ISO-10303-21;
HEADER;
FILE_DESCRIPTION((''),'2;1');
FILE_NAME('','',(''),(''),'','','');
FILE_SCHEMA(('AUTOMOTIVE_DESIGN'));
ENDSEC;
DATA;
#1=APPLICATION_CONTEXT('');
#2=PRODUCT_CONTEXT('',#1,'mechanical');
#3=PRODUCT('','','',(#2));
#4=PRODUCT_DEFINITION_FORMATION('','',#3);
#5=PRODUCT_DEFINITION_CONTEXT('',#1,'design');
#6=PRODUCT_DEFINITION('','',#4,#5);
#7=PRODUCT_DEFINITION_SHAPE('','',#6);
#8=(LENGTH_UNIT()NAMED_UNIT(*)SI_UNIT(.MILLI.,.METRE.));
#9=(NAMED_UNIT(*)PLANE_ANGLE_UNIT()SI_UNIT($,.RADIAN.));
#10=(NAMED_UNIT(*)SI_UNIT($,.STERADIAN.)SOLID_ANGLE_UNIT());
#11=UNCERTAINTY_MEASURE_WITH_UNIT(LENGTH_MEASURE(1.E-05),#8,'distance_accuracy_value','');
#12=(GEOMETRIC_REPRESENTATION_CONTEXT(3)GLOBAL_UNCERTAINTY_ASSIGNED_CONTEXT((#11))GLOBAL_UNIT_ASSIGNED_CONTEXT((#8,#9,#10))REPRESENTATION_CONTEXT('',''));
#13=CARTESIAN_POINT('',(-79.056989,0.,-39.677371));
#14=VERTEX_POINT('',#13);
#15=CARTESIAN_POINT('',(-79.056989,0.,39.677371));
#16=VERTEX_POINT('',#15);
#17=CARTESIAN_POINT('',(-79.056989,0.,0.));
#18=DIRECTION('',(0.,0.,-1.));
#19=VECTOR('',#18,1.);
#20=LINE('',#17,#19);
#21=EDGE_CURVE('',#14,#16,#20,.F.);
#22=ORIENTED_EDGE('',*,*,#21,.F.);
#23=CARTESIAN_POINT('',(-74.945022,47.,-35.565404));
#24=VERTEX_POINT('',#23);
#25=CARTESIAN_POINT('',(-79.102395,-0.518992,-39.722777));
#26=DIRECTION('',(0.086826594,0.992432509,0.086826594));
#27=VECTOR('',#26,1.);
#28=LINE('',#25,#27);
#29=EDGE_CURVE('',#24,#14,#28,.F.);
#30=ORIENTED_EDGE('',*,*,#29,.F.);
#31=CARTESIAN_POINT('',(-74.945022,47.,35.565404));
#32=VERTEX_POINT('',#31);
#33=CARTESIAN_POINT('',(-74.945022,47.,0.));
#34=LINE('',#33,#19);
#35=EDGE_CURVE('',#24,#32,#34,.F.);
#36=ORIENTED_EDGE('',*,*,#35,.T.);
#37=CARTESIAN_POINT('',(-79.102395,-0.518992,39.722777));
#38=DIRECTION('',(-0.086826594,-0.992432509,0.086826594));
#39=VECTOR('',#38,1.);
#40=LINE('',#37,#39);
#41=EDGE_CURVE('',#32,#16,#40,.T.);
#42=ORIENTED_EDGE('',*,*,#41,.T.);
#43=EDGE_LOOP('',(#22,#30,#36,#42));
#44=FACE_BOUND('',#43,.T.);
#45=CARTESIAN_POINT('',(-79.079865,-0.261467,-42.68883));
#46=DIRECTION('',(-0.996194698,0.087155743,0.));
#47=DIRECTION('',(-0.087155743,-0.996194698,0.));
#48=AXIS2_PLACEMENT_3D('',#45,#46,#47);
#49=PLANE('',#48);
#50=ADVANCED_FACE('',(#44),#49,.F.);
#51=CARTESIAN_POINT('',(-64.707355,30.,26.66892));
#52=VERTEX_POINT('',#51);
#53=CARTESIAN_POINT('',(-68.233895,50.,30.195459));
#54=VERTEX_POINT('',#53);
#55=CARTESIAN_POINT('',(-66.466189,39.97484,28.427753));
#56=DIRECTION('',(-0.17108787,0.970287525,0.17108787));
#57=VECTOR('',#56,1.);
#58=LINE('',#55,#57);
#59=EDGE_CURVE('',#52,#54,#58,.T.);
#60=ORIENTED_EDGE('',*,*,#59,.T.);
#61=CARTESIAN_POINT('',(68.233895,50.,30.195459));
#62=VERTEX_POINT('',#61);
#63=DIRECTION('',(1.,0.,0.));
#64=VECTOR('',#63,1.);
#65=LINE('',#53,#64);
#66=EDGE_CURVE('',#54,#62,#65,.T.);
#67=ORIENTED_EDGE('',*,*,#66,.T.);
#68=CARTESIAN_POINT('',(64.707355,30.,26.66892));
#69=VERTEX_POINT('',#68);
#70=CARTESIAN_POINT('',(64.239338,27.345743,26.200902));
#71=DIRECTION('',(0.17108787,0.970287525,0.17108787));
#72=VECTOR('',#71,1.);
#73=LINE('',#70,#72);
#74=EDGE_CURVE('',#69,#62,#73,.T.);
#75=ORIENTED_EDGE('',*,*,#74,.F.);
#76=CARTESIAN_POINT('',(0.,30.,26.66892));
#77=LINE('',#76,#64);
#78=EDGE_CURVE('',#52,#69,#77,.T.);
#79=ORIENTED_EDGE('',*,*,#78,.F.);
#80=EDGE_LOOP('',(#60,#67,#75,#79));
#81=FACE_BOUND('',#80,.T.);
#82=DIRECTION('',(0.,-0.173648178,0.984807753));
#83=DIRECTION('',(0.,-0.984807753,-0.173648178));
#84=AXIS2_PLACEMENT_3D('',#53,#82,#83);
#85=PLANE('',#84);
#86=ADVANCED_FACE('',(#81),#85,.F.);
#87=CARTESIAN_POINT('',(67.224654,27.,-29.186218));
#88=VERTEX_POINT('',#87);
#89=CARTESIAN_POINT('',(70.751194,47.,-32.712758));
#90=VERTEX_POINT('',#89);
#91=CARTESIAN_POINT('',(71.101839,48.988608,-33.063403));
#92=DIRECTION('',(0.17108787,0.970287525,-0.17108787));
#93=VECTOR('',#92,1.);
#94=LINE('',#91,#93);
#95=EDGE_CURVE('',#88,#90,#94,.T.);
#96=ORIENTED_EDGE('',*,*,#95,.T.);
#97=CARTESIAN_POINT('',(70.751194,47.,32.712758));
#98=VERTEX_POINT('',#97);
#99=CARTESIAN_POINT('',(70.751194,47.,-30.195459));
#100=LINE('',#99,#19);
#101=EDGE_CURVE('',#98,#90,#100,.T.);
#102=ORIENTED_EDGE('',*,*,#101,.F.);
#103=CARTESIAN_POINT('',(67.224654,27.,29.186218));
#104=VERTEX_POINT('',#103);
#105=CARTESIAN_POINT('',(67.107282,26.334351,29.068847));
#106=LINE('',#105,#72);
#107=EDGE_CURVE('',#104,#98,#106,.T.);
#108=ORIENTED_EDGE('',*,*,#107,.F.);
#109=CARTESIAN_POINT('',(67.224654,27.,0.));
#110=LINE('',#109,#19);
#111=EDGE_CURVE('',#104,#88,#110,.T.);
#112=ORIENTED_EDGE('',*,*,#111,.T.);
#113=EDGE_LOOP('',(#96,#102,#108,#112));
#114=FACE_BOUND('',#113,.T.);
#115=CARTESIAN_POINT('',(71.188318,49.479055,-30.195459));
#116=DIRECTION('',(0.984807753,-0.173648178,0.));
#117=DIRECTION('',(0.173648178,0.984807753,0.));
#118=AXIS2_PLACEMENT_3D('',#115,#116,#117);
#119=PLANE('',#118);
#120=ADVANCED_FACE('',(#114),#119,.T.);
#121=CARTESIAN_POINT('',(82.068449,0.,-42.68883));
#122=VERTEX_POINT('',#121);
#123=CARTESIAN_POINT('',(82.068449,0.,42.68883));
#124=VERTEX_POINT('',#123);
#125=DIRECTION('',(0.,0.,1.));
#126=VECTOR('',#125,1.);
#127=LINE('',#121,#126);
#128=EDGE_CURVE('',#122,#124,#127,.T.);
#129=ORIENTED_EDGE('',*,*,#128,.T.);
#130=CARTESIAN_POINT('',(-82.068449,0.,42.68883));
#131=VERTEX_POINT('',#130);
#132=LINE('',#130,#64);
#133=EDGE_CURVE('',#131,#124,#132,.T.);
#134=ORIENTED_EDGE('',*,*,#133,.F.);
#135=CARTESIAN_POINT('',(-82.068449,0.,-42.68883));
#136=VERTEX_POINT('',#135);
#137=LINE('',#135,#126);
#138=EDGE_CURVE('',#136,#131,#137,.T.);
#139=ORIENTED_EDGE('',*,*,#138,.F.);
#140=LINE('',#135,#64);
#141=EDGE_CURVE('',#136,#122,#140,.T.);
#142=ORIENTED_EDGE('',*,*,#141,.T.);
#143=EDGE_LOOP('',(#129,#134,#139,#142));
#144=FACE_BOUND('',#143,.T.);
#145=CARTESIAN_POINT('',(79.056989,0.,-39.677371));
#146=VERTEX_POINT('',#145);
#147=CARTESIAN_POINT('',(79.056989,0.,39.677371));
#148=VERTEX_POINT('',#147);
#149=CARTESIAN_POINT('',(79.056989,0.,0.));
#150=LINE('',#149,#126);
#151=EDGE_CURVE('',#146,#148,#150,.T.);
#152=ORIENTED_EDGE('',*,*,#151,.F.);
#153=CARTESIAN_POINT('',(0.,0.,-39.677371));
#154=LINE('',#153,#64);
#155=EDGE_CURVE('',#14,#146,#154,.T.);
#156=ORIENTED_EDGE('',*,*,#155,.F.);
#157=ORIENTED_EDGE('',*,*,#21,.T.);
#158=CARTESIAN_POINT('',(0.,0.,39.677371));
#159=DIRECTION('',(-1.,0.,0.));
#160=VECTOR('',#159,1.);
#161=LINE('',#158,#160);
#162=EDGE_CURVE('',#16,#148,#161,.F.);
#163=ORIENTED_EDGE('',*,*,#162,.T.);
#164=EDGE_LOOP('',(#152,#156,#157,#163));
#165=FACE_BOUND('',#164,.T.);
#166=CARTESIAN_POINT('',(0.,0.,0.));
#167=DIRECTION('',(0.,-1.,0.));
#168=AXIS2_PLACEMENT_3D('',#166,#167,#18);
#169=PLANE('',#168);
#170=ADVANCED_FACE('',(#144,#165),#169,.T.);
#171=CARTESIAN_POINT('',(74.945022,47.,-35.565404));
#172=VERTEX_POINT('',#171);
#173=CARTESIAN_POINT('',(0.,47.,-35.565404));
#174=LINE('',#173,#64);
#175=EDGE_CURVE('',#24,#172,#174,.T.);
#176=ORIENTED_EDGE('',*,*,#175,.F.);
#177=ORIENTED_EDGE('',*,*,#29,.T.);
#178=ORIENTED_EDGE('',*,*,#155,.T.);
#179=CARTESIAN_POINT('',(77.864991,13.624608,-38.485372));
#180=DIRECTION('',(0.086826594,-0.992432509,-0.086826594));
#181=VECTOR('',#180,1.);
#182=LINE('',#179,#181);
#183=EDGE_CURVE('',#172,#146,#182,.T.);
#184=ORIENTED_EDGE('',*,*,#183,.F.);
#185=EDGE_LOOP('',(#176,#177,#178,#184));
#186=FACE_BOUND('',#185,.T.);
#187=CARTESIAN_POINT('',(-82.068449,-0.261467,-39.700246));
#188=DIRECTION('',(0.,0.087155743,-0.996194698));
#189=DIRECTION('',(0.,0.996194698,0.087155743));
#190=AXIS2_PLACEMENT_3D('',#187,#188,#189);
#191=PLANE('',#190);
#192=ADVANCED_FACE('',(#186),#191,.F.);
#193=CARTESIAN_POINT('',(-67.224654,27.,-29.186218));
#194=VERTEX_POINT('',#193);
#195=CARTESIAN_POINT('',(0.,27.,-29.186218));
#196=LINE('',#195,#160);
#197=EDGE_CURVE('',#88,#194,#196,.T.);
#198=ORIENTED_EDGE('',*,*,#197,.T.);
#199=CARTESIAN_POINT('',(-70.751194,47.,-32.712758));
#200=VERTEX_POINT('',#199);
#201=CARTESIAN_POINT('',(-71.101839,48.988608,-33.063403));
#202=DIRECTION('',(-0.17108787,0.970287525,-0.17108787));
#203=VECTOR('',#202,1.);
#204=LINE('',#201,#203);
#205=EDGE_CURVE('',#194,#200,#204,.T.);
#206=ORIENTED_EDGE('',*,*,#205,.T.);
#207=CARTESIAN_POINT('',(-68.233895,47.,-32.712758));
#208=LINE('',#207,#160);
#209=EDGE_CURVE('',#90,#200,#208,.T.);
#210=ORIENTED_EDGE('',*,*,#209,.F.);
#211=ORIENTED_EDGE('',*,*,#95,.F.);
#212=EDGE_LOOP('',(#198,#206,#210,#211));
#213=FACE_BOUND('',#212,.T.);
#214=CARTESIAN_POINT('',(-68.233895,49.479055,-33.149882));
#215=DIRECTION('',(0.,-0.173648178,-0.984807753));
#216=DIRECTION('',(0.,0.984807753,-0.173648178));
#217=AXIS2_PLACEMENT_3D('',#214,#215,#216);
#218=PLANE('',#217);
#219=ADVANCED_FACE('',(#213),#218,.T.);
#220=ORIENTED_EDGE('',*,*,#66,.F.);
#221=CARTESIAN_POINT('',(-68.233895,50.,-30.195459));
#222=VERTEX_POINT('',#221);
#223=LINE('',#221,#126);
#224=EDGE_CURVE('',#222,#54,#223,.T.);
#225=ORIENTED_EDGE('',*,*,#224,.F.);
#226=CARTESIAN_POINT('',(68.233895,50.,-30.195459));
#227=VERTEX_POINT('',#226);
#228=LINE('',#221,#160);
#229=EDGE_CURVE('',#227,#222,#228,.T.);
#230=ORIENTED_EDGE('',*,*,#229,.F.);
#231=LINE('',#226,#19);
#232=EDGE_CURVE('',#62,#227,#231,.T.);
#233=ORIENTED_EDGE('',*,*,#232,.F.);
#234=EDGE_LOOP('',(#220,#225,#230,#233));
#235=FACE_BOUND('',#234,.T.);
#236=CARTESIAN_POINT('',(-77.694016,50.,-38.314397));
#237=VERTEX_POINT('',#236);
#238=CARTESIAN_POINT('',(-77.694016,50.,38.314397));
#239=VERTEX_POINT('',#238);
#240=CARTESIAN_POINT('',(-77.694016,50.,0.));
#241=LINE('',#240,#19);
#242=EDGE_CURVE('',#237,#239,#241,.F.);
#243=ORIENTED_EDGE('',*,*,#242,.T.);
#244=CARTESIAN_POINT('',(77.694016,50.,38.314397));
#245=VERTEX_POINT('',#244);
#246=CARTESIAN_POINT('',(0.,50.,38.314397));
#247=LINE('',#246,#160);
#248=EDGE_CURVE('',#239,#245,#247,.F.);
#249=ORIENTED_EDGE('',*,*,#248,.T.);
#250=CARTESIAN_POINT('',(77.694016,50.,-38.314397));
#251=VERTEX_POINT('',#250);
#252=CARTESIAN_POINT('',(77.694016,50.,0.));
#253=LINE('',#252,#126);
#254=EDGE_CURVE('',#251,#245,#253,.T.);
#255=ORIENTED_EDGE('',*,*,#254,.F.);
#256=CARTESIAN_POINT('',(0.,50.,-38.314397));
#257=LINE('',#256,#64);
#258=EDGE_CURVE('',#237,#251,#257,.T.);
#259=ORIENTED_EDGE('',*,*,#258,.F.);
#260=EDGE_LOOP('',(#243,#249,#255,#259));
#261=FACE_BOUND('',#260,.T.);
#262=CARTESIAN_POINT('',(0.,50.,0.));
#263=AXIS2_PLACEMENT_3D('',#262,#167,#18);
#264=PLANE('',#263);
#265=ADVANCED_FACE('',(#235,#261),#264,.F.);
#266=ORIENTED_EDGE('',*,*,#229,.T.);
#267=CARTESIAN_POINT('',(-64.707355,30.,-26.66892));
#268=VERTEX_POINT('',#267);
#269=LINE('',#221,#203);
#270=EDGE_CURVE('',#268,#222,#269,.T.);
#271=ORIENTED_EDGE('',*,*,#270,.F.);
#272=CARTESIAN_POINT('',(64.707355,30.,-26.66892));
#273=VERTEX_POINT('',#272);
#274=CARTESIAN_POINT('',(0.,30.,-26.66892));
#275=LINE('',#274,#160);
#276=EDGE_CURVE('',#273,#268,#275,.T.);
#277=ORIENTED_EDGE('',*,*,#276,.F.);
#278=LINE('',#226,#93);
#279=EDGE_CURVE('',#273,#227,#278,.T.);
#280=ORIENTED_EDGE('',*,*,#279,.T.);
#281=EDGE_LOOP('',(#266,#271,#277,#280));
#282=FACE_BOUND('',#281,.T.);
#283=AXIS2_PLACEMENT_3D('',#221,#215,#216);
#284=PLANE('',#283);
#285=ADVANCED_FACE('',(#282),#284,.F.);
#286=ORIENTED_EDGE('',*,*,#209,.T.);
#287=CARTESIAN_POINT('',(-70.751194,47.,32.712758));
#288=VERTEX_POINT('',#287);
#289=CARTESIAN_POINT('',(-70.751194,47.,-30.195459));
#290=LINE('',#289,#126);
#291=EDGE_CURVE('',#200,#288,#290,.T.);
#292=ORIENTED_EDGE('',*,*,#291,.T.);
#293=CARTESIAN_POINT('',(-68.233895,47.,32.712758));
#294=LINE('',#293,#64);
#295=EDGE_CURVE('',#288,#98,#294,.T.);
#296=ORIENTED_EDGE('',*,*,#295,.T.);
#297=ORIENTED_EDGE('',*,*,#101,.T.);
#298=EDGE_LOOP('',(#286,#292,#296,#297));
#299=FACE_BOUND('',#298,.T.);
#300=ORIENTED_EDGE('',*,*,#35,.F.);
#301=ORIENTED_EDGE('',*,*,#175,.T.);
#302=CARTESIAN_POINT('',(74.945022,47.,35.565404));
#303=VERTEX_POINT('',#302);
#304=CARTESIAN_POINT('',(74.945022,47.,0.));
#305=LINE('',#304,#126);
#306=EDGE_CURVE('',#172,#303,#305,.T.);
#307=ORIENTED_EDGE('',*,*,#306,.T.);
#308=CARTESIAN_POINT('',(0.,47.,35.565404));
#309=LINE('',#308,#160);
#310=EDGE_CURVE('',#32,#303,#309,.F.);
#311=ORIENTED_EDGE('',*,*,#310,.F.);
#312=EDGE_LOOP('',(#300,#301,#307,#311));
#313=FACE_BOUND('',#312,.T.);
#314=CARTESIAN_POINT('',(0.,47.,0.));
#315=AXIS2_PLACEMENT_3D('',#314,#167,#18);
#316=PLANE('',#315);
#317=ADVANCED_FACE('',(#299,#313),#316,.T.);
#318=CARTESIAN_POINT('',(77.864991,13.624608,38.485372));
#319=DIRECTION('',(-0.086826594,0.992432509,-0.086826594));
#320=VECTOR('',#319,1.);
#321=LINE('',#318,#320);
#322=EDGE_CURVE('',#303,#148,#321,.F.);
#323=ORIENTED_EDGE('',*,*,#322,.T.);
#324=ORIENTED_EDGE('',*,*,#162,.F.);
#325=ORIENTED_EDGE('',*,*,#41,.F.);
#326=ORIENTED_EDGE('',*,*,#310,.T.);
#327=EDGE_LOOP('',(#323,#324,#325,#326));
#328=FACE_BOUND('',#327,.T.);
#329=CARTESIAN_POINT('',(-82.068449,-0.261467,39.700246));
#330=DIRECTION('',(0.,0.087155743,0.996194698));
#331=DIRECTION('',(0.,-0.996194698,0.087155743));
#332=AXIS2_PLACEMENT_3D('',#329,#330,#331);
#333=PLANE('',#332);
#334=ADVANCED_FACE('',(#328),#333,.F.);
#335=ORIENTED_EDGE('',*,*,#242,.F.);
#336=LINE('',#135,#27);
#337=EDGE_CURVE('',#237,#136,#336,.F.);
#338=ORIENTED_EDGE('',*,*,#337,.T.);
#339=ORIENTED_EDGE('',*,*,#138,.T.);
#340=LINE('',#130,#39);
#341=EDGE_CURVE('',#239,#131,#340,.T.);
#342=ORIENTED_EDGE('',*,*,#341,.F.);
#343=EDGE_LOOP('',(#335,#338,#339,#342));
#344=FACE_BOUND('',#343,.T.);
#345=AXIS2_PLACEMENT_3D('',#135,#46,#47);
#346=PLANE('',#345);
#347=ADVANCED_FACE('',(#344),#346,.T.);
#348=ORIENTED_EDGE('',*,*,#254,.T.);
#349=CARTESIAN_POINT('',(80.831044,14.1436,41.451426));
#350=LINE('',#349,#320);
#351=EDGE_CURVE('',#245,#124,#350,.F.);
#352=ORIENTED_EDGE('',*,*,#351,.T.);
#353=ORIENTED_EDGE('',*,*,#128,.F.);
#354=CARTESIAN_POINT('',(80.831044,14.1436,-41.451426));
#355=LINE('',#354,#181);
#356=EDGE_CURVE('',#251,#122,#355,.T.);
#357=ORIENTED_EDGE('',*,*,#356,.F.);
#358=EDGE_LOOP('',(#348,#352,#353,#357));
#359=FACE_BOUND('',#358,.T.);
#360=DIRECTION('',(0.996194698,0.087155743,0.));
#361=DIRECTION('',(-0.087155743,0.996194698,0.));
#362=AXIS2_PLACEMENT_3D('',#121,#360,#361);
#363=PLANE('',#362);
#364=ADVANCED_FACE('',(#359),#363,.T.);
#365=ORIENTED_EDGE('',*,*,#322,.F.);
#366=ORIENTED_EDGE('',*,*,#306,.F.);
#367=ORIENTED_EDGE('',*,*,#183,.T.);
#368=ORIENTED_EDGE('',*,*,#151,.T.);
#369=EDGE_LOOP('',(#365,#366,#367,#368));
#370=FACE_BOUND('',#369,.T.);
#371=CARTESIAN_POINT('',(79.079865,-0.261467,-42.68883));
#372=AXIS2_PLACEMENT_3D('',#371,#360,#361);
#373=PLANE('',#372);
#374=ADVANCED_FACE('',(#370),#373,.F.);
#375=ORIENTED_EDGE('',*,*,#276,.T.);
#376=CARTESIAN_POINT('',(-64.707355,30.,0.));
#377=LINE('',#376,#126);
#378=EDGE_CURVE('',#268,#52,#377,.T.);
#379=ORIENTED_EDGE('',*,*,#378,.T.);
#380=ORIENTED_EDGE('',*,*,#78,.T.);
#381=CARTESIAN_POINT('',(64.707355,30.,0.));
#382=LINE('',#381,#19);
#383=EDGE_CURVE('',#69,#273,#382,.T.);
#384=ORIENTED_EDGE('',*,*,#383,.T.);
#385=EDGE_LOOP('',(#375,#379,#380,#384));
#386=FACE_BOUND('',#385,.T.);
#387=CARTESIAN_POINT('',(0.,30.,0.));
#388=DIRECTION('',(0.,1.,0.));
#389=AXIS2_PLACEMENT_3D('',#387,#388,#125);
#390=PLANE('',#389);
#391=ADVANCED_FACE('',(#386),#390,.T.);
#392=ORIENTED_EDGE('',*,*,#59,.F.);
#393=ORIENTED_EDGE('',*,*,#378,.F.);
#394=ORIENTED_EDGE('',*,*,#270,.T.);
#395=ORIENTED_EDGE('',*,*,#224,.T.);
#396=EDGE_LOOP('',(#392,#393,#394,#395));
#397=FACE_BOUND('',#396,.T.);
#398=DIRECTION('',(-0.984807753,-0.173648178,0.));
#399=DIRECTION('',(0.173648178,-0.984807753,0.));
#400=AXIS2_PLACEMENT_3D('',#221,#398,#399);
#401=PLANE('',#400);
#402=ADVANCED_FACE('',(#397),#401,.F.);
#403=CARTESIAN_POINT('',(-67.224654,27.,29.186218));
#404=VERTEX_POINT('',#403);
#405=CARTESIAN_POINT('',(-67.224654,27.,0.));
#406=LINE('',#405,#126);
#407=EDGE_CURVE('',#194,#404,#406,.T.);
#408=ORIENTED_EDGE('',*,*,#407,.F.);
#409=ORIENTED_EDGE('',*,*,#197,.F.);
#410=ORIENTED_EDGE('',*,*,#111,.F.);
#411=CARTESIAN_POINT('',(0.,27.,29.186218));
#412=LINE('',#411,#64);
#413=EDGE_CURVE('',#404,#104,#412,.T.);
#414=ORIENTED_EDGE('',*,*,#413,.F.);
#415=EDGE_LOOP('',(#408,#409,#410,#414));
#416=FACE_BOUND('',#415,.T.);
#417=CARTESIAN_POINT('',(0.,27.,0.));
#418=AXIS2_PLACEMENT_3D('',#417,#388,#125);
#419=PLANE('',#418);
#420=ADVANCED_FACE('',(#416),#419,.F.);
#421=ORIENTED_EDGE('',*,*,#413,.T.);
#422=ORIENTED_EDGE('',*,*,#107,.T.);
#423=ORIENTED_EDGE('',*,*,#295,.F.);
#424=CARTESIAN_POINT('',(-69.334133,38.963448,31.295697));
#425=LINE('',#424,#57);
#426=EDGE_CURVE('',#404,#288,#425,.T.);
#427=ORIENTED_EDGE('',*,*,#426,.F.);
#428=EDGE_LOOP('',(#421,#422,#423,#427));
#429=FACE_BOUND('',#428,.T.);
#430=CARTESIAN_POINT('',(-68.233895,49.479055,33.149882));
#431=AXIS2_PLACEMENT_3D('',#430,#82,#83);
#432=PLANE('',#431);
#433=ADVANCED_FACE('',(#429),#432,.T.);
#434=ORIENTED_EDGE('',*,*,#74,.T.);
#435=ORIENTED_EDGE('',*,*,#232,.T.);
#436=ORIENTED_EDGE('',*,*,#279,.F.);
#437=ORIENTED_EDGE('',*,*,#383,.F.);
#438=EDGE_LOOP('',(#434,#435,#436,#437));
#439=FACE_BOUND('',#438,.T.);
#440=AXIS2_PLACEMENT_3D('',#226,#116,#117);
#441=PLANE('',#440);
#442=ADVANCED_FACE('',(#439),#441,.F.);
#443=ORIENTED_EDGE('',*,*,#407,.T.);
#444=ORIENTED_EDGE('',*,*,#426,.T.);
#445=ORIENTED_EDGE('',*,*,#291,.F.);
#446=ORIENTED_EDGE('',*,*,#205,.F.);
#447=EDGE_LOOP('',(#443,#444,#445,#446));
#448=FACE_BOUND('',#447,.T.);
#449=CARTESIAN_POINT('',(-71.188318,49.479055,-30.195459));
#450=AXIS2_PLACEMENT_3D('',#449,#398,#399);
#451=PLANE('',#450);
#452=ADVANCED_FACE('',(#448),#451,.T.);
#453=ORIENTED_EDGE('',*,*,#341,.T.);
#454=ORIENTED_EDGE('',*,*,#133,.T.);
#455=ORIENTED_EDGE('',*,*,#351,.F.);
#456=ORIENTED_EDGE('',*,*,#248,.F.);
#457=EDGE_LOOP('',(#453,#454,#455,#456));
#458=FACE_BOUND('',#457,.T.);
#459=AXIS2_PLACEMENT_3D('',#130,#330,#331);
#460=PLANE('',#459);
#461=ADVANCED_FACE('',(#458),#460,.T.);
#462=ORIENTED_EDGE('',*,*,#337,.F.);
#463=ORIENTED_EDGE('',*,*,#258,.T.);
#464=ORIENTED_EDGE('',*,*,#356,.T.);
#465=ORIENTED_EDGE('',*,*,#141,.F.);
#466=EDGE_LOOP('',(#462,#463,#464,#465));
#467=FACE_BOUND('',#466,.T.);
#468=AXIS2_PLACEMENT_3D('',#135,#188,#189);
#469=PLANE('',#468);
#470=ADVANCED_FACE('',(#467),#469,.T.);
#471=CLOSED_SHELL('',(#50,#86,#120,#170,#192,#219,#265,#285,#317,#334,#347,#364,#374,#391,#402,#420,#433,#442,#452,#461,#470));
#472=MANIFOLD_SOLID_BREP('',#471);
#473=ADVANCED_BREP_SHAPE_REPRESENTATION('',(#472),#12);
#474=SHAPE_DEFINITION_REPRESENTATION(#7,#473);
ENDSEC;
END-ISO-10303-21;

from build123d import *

# Parameters (mm, degrees)
SKETCH1_W           = 164.136897748
SKETCH1_H           = 85.377660522
BOSS_EXTRUDE1_DEPTH = 50
BOSS_EXTRUDE1_TAPER = 5
SKETCH2_W           = 136.467789358
SKETCH2_H           = 60.390918278
CUT_EXTRUDE1_DEPTH  = 20
CUT_EXTRUDE1_TAPER  = 10
SHELL1_T            = -3


with BuildPart() as part:
    # Sketch1 → Boss-Extrude1 (new body)
    with BuildSketch(Plane(origin=(0, 0, 0), x_dir=(1, 0, 0), z_dir=(0, 1, 0))):
        Rectangle(SKETCH1_W, SKETCH1_H)
    extrude(amount=BOSS_EXTRUDE1_DEPTH, taper=BOSS_EXTRUDE1_TAPER)

    # Sketch2 → Cut-Extrude1 (cut)
    with BuildSketch(Plane(origin=(0, 50, 0), x_dir=(1, 0, 0), z_dir=(0, 1, 0))):
        Rectangle(SKETCH2_W, SKETCH2_H)
    extrude(amount=-CUT_EXTRUDE1_DEPTH, taper=CUT_EXTRUDE1_TAPER, mode=Mode.SUBTRACT)

    # Shell1
    shell1_openings = [part.faces().sort_by_distance(p)[0] for p in [
        (0, 0, 0),
    ]]
    offset(amount=SHELL1_T, openings=shell1_openings, kind=Kind.INTERSECTION)


solid = part.part
